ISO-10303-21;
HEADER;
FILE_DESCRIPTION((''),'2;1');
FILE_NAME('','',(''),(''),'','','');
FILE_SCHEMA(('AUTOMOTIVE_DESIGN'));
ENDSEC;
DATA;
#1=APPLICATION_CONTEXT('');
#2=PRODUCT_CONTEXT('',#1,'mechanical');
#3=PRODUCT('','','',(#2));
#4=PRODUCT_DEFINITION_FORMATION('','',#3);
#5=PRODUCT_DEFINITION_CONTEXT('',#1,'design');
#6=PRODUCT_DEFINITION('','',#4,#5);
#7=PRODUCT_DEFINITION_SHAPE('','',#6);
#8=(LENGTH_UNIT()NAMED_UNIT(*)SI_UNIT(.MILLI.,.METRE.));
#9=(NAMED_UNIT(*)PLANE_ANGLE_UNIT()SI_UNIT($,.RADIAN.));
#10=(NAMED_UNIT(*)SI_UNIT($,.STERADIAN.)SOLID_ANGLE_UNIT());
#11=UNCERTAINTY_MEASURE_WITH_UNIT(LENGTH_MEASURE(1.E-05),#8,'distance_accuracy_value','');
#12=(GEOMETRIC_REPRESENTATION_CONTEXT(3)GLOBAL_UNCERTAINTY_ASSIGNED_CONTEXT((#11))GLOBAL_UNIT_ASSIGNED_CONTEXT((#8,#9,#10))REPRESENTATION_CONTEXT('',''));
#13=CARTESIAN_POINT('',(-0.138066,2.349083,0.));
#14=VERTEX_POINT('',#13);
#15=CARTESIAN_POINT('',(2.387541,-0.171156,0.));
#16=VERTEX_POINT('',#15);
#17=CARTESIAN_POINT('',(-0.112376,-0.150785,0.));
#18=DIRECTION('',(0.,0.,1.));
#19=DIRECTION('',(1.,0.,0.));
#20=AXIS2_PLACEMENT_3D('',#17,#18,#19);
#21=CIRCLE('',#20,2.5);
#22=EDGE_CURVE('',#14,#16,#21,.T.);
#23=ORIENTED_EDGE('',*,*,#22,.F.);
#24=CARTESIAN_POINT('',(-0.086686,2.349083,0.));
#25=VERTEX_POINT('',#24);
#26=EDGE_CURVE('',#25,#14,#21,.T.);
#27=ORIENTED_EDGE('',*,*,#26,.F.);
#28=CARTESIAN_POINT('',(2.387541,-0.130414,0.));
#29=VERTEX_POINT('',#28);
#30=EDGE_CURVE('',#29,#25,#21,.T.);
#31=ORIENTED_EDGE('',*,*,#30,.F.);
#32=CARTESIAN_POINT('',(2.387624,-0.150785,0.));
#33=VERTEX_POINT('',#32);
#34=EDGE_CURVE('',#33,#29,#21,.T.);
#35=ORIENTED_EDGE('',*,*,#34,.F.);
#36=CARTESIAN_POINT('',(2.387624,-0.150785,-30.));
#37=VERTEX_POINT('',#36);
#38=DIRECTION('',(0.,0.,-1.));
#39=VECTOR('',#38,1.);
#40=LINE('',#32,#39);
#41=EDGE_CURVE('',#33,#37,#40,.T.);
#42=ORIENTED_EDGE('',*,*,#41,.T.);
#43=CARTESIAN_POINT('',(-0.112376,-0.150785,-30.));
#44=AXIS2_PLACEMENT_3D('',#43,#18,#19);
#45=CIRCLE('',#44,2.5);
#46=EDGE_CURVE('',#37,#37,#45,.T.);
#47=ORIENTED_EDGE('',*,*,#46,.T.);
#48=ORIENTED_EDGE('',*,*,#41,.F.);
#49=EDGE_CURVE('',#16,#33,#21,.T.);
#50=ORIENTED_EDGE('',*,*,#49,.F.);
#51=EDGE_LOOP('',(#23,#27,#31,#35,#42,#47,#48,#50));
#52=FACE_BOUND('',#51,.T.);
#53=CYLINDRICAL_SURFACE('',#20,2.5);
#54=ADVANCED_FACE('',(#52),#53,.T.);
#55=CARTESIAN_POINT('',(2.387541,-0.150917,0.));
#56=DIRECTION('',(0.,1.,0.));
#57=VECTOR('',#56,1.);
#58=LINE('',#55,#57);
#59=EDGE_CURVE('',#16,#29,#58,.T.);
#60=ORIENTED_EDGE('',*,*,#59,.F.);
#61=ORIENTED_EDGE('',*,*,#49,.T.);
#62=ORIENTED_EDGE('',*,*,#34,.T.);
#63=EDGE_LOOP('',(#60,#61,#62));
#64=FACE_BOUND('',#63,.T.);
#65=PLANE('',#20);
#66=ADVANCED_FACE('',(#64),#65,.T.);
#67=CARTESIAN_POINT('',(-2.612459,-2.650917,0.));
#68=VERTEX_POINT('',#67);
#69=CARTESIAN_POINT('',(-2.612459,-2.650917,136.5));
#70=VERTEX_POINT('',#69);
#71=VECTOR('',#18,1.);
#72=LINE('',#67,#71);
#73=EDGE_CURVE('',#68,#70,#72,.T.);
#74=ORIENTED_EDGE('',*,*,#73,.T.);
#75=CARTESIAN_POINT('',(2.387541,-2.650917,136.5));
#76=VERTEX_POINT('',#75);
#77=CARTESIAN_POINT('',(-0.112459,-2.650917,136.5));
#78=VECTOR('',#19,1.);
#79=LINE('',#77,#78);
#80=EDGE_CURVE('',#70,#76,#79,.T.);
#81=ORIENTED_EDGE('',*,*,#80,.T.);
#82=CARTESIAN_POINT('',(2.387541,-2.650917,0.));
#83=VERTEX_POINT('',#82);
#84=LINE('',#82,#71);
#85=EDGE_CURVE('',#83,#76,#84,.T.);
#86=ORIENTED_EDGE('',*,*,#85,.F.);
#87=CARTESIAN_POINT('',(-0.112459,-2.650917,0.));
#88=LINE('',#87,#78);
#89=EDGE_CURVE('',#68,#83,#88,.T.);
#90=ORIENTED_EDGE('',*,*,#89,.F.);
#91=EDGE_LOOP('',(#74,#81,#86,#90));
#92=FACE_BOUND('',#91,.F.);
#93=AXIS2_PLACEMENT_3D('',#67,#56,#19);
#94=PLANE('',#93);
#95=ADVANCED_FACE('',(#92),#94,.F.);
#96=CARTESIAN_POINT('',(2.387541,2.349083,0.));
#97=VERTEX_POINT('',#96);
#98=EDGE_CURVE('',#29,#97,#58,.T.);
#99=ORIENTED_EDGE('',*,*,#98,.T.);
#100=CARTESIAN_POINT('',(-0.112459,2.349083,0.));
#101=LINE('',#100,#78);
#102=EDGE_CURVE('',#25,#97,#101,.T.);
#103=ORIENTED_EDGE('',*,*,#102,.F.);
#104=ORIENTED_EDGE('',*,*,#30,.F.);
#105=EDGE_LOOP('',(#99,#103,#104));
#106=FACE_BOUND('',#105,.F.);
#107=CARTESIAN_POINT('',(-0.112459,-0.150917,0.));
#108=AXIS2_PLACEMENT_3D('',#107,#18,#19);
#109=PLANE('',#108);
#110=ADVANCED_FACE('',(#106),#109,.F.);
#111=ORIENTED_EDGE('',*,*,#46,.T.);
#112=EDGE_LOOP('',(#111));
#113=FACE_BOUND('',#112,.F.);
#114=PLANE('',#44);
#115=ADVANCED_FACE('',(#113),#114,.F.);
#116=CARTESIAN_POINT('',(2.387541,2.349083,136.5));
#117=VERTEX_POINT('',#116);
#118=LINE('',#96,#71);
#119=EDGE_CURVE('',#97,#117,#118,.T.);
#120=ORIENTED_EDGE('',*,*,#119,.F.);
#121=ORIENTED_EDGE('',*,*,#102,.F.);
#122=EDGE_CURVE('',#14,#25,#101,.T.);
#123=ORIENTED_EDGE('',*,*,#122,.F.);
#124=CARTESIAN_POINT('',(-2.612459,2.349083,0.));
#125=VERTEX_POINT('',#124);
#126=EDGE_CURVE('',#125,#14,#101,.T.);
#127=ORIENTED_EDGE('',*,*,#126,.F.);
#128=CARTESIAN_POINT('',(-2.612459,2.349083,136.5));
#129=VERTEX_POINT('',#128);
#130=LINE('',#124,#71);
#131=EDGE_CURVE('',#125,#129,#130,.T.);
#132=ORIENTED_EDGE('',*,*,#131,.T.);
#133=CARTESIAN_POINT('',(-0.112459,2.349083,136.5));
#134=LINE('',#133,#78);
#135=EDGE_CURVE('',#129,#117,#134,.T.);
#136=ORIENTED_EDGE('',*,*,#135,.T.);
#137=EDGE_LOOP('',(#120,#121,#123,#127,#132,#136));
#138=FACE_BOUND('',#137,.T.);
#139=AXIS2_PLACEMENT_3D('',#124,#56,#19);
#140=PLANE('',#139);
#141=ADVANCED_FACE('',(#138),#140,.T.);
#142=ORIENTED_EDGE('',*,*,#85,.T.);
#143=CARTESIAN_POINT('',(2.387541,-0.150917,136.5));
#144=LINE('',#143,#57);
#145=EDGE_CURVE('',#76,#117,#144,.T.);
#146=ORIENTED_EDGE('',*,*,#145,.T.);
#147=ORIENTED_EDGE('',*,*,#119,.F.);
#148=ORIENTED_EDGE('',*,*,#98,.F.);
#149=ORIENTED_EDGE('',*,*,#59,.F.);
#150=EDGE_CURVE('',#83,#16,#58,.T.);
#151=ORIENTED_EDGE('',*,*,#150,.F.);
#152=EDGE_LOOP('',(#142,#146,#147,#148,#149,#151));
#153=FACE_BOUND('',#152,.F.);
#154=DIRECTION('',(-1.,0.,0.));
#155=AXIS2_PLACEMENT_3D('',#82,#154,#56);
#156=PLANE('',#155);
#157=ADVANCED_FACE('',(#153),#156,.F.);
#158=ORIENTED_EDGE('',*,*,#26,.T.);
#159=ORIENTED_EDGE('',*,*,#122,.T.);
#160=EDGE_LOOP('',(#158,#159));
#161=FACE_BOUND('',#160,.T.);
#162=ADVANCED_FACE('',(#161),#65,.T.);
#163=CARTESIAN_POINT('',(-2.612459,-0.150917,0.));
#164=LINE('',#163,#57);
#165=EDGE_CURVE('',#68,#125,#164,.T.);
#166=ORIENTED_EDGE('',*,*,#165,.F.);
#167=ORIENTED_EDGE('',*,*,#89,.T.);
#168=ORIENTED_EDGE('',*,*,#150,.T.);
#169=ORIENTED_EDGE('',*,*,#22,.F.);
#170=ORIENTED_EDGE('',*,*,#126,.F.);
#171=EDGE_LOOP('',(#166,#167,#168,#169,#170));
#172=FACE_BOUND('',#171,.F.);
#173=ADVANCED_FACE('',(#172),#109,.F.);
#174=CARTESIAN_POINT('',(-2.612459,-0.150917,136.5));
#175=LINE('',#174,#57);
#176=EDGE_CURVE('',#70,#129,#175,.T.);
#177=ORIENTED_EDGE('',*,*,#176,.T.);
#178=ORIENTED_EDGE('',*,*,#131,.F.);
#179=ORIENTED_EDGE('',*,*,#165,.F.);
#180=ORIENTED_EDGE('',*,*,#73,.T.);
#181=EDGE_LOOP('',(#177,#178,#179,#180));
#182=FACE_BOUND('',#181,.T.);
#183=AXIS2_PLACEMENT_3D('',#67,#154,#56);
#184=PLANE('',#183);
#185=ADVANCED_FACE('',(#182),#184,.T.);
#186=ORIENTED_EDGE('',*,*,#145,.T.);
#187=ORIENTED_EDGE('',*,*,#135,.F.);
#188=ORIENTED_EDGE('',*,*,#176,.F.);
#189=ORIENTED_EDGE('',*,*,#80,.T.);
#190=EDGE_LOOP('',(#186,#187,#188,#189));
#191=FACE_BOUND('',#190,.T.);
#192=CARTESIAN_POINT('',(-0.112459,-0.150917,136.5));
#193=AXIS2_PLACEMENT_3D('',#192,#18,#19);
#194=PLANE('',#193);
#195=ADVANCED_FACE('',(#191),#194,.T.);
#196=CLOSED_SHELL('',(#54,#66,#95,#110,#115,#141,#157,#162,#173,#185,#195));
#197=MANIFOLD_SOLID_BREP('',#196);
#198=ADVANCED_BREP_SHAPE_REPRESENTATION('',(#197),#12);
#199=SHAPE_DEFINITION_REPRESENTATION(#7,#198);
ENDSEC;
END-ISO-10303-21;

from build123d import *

# Parameters (mm, degrees)
F0_W     = 5
F0_H     = 5
F2_DEPTH = 136.5
F1_R     = 2.5
F3_DEPTH = 30


with BuildPart() as f2:
    # F0 (on Top) → F2 (new body)
    with BuildSketch(Plane.XY):
        with Locations((-0.112459, -0.150917)):
            Rectangle(F0_W, F0_H)
    extrude(amount=F2_DEPTH)

    # F1 (on Top) → F3 (join)
    with BuildSketch(Plane.XY):
        with Locations((-0.112376, -0.150785)):
            Circle(F1_R)
    extrude(amount=-F3_DEPTH)


solid = f2.part
